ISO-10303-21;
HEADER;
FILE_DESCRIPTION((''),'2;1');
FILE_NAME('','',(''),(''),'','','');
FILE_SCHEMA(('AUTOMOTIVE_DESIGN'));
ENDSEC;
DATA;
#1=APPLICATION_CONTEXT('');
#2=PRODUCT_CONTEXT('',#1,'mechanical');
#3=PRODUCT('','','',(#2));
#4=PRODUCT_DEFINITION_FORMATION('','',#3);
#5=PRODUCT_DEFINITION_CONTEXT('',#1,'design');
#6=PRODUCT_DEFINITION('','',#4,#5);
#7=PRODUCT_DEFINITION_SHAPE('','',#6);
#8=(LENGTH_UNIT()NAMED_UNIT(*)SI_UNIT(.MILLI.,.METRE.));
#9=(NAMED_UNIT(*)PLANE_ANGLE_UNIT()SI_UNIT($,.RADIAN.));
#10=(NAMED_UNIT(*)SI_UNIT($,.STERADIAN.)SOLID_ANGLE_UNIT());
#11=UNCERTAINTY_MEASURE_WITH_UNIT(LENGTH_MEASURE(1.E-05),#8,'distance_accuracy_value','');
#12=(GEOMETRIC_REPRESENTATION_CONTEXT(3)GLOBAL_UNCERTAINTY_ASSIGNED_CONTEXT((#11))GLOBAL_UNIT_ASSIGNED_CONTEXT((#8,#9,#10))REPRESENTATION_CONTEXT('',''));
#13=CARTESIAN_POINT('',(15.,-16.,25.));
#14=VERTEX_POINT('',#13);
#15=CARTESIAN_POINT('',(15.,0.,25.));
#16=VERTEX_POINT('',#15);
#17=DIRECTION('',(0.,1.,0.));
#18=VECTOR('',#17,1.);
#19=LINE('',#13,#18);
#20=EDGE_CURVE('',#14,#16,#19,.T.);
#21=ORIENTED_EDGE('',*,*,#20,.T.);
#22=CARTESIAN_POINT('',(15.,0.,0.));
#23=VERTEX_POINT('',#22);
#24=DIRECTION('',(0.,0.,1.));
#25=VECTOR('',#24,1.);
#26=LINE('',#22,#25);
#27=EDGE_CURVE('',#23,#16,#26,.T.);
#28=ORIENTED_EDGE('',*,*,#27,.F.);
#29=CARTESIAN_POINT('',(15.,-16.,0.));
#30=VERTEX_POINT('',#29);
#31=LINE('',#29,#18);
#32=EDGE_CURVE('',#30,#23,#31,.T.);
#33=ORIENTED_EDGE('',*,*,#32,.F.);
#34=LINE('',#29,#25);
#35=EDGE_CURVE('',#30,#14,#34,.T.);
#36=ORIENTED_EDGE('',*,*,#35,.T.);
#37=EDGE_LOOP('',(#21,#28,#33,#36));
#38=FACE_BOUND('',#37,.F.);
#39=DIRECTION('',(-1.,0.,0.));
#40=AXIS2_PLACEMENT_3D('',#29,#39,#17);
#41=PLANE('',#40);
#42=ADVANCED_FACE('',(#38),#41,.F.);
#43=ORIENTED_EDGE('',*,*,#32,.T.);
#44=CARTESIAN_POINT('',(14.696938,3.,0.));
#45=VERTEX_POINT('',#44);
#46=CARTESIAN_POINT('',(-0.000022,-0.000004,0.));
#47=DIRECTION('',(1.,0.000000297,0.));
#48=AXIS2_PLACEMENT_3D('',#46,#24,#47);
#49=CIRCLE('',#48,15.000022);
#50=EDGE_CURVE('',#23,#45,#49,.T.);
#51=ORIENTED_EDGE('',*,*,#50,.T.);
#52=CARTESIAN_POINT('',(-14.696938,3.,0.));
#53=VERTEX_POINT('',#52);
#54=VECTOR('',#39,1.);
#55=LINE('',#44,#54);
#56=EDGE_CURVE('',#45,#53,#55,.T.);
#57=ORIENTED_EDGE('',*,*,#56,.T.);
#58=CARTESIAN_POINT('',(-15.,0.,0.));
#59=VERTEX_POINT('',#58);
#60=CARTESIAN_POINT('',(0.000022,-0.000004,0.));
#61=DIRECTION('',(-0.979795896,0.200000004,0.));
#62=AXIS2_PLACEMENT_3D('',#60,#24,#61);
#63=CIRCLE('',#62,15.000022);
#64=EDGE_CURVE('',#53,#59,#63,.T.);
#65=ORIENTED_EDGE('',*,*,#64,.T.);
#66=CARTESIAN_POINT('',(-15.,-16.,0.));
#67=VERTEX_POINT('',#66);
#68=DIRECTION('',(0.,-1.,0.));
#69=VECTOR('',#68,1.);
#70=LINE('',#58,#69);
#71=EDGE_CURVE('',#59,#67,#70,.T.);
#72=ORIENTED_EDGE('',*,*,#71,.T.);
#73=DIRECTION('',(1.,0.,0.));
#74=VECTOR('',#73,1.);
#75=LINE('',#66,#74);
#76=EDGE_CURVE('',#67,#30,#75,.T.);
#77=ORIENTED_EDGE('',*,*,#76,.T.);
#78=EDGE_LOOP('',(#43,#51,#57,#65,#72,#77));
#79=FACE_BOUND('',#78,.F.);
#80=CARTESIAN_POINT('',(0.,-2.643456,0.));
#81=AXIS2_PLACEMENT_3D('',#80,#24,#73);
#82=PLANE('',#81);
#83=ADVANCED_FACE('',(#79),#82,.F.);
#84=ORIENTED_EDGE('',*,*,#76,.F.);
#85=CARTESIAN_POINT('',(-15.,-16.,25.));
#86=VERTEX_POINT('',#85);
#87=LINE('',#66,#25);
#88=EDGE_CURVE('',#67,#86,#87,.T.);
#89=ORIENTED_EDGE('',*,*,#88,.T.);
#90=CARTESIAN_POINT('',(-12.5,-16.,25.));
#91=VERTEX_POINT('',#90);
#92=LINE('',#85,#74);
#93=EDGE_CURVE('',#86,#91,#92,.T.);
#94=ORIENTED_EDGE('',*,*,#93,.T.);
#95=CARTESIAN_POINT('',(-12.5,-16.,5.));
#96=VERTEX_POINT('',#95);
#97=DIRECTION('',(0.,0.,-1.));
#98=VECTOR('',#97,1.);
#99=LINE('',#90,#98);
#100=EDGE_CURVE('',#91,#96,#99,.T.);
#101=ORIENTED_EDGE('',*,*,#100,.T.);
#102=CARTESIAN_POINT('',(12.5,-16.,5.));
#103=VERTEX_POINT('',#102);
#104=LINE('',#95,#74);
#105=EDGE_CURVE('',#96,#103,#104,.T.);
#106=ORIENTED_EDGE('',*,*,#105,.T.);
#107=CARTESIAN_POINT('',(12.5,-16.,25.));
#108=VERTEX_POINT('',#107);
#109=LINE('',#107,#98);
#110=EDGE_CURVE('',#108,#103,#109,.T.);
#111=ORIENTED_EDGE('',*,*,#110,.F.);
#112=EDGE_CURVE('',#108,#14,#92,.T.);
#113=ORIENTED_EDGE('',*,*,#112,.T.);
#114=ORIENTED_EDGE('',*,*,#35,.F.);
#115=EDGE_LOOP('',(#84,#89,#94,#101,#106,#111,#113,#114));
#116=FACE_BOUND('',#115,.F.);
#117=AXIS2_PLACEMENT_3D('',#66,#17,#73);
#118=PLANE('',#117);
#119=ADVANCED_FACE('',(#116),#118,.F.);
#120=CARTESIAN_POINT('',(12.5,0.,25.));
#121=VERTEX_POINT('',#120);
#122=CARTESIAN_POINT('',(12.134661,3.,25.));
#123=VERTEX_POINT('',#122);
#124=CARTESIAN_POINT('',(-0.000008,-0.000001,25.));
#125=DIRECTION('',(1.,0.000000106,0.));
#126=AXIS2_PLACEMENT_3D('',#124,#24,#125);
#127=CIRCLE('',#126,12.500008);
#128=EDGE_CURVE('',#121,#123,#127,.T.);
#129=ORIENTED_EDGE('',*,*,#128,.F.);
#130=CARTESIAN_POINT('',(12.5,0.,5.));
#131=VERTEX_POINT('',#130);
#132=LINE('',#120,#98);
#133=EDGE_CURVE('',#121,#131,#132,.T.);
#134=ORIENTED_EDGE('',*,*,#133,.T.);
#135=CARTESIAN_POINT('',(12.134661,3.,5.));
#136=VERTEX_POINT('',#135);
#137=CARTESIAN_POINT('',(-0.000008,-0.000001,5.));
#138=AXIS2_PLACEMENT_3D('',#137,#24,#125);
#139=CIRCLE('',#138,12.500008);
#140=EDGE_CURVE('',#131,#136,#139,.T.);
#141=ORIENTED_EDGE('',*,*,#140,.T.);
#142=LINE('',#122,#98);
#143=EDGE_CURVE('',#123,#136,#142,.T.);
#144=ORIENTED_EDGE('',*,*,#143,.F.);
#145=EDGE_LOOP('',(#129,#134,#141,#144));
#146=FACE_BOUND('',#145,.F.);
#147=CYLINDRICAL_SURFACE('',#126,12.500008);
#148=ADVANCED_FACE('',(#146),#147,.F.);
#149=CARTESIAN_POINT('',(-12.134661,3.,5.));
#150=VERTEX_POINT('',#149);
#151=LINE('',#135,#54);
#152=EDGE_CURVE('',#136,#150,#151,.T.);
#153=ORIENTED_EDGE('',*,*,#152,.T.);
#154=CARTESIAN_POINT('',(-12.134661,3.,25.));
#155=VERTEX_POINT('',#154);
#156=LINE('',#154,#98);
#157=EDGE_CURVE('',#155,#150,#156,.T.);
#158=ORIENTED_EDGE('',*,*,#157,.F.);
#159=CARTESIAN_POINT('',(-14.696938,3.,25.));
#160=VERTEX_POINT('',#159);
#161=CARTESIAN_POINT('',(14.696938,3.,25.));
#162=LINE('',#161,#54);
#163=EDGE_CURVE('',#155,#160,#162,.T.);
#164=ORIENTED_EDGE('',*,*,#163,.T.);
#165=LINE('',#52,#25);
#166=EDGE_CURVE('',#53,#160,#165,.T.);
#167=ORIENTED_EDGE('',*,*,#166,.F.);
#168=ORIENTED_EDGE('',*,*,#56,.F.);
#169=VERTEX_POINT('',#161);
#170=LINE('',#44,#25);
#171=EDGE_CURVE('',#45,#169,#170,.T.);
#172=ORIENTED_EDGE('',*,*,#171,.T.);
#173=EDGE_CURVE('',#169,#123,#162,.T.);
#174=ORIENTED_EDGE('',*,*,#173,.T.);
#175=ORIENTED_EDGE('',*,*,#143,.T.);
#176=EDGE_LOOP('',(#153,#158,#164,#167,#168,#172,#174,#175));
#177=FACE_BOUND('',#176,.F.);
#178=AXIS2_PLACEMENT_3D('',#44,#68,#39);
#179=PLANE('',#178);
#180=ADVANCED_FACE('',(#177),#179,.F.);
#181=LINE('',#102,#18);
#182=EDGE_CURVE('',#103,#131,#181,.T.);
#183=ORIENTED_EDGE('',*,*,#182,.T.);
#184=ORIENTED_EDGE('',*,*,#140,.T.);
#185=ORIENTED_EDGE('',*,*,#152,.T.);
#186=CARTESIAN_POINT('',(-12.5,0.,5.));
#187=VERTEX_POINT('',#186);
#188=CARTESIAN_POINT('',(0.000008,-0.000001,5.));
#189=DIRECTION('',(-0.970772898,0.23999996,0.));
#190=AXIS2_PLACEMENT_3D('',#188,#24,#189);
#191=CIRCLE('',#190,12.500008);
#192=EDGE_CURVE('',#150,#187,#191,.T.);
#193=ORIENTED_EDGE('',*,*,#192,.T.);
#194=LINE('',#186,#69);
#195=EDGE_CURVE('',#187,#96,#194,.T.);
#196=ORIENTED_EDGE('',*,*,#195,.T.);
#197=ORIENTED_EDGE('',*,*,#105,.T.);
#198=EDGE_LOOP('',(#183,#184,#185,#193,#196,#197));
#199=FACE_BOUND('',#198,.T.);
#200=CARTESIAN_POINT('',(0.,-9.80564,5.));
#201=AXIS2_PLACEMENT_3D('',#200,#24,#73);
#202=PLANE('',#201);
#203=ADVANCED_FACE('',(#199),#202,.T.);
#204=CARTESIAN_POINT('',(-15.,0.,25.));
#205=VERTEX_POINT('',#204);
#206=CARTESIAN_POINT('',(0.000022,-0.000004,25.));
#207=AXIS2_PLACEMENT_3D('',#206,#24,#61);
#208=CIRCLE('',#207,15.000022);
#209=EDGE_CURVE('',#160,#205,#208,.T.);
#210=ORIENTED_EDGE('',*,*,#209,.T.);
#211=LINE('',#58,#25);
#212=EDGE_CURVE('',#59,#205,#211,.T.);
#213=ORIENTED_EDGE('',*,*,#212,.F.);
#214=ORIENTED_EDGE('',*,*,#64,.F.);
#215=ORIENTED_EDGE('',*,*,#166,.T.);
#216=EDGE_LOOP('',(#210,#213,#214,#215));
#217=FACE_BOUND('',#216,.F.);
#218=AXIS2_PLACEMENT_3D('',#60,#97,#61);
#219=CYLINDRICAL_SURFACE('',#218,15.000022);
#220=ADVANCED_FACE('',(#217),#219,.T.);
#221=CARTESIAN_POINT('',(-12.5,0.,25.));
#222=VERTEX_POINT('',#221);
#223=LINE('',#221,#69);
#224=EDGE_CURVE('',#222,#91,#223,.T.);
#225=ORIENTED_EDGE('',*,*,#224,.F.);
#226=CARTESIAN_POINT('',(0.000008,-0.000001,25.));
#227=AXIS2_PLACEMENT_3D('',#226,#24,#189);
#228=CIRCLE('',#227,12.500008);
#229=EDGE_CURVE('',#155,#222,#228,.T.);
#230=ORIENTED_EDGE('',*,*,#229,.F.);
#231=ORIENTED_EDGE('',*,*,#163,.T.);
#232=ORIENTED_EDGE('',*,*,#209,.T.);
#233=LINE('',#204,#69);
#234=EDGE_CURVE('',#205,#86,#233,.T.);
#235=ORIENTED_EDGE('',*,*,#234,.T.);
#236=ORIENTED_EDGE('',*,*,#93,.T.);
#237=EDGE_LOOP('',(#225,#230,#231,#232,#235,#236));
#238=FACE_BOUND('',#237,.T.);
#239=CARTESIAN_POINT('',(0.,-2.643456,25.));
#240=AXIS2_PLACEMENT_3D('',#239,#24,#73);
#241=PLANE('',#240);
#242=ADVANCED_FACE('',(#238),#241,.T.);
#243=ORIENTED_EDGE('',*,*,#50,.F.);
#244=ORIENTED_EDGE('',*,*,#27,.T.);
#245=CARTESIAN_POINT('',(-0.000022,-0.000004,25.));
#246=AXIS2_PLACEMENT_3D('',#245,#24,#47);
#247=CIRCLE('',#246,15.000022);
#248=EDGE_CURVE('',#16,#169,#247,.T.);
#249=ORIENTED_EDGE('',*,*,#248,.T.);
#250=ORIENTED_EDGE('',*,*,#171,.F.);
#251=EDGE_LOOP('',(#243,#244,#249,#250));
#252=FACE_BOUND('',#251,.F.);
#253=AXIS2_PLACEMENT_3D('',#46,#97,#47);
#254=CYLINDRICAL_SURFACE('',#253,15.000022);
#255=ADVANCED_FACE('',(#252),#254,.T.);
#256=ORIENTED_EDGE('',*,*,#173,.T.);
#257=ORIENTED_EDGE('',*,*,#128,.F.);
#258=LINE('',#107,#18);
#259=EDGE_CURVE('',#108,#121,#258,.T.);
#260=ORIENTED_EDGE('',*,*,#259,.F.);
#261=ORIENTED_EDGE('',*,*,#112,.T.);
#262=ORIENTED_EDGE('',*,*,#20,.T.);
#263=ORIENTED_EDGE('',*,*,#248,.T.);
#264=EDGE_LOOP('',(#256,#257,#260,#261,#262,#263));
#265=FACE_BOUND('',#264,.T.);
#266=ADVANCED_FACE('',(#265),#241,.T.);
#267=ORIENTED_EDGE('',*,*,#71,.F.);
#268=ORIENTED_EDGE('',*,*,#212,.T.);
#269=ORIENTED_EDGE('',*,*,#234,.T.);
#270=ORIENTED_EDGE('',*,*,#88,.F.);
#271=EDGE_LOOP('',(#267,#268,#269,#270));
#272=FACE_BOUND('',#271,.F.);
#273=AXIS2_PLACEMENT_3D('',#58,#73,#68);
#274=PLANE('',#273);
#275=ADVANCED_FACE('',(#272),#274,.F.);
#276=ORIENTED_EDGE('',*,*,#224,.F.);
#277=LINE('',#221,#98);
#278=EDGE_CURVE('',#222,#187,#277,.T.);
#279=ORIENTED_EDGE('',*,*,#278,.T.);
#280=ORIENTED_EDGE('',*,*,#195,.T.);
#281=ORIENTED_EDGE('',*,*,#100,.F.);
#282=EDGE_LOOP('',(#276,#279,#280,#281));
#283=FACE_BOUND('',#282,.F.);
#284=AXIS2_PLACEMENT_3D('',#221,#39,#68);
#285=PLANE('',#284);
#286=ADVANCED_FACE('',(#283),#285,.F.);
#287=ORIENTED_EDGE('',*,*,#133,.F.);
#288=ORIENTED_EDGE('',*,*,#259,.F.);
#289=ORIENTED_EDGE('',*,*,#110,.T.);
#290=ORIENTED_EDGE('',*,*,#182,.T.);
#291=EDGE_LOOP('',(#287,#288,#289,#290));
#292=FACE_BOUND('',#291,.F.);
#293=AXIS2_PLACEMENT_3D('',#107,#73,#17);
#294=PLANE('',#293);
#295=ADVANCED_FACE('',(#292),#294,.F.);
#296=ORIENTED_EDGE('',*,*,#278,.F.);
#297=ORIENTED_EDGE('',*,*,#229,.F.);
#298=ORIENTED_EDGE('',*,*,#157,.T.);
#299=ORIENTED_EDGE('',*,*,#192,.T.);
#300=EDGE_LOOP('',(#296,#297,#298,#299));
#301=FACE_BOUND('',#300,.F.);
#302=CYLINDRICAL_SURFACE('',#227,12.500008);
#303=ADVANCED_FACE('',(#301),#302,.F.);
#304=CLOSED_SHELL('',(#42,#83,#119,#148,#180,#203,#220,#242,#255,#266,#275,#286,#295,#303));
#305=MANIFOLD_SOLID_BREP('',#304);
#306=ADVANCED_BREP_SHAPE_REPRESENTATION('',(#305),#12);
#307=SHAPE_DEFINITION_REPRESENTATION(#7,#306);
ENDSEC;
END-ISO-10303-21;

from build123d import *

# Parameters (mm, degrees)
F1_DEPTH = 25
F3_DEPTH = 20


with BuildPart() as f1:
    # F0 (on Top) → F1 (new body)
    with BuildSketch(Plane.XY):
        with BuildLine():
            Line((0, 3), (-12.134661, 3))
            ThreePointArc((-12.134661, 3), (0, -12.5), (12.134661, 3))
            Line((12.134661, 3), (0, 3))
        make_face()
        with BuildLine():
            ThreePointArc((12.134661, 3), (0, -12.5), (-12.134661, 3))
            Line((-12.134661, 3), (-14.696938, 3))
            ThreePointArc((-14.696938, 3), (-14.924042, 1.507634), (-15, 0))
            ThreePointArc((-15, 0), (0, -15), (15, 0))
            ThreePointArc((15, 0), (14.924042, 1.507634), (14.696938, 3))
            Line((14.696938, 3), (12.134661, 3))
        make_face()
        with BuildLine():
            ThreePointArc((15, 0), (0, -15), (-15, 0))
            Line((-15, 0), (-15, -16))
            Line((-15, -16), (15, -16))
            Line((15, -16), (15, 0))
        make_face()
    extrude(amount=F1_DEPTH)

    # F2 (on face) → F3 (cut)
    with BuildSketch(Plane.XY.offset(25)):
        with BuildLine():
            ThreePointArc((12.5, 0), (0, -12.5), (-12.5, 0))
            Line((-12.5, 0), (-12.5, -16))
            Line((-12.5, -16), (12.5, -16))
            Line((12.5, -16), (12.5, 0))
        make_face()
        with BuildLine():
            ThreePointArc((-12.134661, 3), (-12.408329, 1.511082), (-12.5, 0))
            ThreePointArc((-12.5, 0), (0, -12.5), (12.5, 0))
            ThreePointArc((12.5, 0), (12.408329, 1.511082), (12.134661, 3))
            Line((12.134661, 3), (-12.134661, 3))
        make_face()
    extrude(amount=-F3_DEPTH, mode=Mode.SUBTRACT)


solid = f1.part
